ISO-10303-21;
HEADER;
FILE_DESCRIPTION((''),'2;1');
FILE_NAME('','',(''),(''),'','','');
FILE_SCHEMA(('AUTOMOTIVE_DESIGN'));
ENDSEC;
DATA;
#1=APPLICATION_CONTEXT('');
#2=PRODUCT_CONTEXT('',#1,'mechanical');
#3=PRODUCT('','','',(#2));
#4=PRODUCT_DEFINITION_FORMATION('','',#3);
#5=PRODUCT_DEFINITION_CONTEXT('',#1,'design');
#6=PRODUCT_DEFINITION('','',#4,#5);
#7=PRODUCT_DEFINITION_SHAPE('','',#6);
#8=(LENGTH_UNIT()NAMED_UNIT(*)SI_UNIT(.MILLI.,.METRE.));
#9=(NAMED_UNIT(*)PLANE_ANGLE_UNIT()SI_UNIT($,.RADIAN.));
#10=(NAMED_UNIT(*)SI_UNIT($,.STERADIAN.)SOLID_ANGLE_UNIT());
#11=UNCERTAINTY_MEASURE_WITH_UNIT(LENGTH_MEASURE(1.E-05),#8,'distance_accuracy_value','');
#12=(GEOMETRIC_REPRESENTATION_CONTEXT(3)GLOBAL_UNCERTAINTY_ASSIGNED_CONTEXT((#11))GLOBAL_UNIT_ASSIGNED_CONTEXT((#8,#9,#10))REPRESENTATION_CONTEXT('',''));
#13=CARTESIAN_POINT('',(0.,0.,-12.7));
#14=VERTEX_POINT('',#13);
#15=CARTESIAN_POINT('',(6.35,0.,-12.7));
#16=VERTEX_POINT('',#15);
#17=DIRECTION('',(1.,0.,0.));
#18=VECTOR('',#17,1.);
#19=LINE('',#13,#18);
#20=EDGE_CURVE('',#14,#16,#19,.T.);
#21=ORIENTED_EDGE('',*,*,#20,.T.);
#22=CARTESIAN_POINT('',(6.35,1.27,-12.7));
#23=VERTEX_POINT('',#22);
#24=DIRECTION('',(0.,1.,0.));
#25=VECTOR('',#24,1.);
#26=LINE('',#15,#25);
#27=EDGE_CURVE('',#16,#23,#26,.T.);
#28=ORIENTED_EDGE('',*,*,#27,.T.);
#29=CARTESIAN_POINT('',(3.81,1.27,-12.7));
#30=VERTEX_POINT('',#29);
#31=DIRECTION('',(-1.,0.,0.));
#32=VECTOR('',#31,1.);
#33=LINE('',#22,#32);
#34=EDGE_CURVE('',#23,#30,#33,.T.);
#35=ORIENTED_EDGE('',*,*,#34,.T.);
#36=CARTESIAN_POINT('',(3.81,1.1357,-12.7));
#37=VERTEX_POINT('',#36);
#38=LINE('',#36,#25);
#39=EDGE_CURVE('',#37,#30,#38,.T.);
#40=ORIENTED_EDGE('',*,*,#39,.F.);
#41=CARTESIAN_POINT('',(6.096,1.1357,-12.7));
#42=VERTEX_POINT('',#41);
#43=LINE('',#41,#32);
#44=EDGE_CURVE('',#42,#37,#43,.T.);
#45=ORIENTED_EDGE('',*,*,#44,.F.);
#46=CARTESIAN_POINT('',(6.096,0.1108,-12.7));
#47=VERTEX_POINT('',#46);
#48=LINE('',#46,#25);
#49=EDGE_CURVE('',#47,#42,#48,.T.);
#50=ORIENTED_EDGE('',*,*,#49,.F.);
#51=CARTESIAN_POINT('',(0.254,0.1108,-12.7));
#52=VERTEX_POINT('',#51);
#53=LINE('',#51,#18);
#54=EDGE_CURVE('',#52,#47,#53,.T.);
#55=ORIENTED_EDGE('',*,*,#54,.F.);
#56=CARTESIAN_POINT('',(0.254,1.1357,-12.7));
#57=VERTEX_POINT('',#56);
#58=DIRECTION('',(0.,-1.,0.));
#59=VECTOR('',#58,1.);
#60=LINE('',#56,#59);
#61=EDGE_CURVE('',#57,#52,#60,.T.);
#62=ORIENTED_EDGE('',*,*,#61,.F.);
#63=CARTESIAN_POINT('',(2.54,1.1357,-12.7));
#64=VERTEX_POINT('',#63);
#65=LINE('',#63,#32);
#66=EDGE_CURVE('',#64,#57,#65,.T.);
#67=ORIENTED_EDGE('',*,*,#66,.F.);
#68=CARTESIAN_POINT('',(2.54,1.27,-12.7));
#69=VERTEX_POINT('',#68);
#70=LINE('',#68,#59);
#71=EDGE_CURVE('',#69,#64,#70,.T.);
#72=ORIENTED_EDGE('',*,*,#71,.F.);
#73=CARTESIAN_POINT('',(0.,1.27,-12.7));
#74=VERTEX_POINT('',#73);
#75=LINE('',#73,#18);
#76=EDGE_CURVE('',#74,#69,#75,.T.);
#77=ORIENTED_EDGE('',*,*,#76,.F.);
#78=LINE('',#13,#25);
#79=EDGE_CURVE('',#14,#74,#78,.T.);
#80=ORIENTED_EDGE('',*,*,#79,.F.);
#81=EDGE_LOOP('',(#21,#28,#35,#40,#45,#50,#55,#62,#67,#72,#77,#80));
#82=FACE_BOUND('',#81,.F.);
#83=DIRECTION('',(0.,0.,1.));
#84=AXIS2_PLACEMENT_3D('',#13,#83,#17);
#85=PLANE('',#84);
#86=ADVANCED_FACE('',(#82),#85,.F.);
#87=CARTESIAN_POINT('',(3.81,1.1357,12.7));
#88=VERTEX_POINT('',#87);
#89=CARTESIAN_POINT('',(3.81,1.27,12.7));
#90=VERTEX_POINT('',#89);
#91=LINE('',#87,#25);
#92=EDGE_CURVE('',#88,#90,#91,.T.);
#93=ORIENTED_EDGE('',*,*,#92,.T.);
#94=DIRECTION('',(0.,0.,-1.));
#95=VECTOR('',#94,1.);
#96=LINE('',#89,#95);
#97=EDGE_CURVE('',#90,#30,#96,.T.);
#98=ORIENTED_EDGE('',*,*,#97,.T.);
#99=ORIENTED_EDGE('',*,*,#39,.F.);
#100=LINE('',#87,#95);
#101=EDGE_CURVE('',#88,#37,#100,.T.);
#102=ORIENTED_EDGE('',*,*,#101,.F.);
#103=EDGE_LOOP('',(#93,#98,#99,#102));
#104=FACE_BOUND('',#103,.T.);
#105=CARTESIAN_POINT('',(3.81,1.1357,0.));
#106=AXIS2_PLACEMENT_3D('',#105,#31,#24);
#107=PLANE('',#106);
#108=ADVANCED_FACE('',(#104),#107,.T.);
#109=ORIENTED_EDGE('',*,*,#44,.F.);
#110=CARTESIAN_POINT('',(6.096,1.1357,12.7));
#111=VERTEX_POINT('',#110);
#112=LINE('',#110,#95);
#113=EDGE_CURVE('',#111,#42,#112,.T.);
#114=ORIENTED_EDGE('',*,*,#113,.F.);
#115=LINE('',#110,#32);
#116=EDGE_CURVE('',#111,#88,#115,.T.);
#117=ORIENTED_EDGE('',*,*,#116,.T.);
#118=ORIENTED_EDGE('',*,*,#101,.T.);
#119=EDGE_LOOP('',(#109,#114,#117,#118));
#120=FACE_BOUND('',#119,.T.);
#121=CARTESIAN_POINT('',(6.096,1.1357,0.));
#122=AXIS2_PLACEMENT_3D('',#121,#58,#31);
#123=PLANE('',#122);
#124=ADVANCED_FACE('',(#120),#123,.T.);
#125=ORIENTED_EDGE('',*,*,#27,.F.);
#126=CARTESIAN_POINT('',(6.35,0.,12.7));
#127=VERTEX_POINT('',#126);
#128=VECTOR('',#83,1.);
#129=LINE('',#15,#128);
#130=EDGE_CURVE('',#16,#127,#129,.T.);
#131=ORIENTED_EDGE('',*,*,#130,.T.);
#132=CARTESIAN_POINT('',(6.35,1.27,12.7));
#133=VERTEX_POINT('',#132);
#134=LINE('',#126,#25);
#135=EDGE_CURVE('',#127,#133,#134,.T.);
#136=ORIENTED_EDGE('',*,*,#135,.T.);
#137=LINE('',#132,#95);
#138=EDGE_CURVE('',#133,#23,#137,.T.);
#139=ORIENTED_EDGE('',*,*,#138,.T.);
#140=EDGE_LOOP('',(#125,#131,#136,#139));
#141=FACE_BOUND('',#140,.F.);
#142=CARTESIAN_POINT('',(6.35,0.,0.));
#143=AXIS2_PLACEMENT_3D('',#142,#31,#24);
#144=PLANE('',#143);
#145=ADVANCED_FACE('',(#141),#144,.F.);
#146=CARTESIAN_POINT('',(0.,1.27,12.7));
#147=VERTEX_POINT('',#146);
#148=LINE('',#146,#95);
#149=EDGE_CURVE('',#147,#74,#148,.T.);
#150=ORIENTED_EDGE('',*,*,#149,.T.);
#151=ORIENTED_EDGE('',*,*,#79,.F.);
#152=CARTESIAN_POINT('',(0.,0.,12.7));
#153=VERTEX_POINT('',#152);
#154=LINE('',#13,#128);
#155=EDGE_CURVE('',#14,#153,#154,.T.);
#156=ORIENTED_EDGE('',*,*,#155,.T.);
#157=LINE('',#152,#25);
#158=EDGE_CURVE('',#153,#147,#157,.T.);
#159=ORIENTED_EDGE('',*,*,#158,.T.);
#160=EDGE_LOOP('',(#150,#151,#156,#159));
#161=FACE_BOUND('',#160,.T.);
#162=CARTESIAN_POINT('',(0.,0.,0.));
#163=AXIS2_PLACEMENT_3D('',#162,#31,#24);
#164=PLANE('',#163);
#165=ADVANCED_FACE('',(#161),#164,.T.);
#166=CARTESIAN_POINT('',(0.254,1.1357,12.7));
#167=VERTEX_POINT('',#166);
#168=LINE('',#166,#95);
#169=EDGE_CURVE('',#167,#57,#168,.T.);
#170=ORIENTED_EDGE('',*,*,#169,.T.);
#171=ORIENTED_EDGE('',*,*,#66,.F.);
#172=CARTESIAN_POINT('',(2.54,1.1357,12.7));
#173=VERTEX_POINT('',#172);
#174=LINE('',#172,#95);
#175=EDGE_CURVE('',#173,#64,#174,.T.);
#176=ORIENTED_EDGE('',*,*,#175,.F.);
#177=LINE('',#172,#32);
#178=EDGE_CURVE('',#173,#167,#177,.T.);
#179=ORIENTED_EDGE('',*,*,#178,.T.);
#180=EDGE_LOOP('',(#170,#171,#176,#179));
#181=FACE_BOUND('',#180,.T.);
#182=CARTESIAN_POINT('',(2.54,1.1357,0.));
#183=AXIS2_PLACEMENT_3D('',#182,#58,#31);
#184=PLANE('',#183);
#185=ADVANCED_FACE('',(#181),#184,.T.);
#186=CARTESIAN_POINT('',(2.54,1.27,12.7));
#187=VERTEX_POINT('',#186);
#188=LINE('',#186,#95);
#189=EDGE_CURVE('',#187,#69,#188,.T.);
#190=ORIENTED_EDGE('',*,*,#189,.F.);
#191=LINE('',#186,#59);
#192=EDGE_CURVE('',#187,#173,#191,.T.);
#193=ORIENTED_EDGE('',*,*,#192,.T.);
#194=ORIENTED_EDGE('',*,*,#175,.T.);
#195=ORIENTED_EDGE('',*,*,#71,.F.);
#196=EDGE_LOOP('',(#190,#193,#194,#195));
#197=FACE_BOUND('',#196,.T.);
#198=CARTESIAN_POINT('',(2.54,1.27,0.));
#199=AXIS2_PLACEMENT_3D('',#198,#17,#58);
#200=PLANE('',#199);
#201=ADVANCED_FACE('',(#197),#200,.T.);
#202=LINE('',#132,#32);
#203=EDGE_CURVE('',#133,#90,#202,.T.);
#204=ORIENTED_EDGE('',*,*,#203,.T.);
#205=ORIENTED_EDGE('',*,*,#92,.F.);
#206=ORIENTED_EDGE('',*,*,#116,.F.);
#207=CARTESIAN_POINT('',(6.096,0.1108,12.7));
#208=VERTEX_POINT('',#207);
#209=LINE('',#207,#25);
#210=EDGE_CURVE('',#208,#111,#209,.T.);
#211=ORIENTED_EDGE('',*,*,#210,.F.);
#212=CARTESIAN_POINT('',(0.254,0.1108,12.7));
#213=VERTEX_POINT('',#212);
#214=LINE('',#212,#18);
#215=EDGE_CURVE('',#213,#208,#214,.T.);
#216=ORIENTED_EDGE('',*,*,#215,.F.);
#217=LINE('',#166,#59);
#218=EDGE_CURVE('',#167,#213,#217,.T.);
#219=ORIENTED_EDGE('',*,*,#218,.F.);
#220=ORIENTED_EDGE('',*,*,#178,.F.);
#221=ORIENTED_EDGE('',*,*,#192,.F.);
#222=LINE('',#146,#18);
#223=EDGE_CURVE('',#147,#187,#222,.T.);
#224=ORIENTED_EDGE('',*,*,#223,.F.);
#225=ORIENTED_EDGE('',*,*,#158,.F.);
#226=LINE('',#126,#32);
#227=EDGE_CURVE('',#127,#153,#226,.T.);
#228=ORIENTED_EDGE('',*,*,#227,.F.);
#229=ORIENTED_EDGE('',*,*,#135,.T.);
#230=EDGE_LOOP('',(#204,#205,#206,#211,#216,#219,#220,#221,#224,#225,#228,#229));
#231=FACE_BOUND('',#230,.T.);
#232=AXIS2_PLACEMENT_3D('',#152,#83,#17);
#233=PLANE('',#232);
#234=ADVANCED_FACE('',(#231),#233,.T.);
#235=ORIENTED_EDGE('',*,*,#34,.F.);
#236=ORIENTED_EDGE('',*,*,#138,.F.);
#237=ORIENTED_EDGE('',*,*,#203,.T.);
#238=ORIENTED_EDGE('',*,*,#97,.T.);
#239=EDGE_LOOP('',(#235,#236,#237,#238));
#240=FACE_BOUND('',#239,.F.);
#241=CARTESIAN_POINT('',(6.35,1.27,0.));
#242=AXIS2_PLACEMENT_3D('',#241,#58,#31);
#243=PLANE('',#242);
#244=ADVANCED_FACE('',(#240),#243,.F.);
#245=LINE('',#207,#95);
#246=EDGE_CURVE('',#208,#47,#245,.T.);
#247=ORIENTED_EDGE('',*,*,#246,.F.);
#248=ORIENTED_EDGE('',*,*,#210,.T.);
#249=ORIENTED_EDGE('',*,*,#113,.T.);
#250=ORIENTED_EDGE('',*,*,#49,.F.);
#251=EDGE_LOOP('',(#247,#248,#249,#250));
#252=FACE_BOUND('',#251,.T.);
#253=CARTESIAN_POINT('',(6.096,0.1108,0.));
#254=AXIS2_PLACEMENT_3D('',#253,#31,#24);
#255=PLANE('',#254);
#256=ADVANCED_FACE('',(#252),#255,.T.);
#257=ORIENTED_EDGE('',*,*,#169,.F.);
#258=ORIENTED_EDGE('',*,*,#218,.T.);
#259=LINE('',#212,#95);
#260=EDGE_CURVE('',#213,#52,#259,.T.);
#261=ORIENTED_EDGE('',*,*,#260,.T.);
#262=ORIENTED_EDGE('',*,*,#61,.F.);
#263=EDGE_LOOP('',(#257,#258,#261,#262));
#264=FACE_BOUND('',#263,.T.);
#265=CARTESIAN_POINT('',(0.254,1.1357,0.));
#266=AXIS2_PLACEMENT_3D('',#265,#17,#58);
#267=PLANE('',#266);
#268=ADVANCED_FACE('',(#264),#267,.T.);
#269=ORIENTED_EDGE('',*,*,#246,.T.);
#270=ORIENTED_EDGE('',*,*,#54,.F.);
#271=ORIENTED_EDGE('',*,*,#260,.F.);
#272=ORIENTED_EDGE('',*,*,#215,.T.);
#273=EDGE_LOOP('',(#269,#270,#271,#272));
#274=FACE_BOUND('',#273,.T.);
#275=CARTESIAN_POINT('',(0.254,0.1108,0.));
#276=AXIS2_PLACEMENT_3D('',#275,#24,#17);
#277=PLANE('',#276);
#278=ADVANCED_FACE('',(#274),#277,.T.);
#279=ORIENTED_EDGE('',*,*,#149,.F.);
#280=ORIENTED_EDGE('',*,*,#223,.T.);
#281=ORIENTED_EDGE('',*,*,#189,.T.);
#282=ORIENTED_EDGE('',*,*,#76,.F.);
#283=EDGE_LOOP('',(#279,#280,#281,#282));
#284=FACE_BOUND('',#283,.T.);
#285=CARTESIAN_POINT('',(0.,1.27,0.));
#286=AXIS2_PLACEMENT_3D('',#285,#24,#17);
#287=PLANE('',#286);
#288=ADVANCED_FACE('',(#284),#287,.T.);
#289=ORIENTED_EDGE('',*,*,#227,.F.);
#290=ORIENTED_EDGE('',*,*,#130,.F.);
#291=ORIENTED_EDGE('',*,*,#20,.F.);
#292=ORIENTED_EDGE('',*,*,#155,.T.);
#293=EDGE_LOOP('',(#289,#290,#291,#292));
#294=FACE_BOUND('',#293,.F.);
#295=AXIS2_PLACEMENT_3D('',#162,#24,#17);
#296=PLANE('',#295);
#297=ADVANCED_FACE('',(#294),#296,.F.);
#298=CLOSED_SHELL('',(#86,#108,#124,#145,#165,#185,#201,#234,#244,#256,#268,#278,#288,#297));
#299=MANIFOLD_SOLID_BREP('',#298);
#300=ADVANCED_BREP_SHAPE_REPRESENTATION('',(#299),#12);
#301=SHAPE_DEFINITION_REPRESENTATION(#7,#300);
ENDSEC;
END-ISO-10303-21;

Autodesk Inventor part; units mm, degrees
ref_plane "YZ Plane" through (0, 0, 0) normal (1, 0, 0) x (0, 1, 0)
ref_plane "XZ Plane" through (0, 0, 0) normal (0, 1, 0) x (-1, 0, 0)
ref_plane "XY Plane" through (0, 0, 0) normal (0, 0, 1) x (1, 0, 0)
sketch "Sketch1" plane through (0, 0, 0) normal (0, 0, 1) x (1, 0, 0)
  point P0 (0, 0)
sketch "Sketch2" plane through (0, 0, 0) normal (0, 0, 1) x (1, 0, 0)
  line L0 (0, 0) -> (6.35, 0)
  line L1 (6.35, 0) -> (6.35, 1.27)
  line L2 (0, 0) -> (0, 1.27)
  line L3 (0, 1.27) -> (2.54, 1.27)
  line L4 (6.35, 1.27) -> (3.81, 1.27)
  line L5 (2.54, 1.27) -> (2.54, 1.1357)
  line L6 (2.54, 1.1357) -> (0.254, 1.1357)
  line L7 (0.254, 1.1357) -> (0.254, 0.1108)
  line L8 (0.254, 0.1108) -> (6.096, 0.1108)
  line L9 (6.096, 0.1108) -> (6.096, 1.1357)
  line L10 (6.096, 1.1357) -> (3.81, 1.1357)
  line L11 (3.81, 1.1357) -> (3.81, 1.27)
  line L12 (0.254, -3.175) -> (0.254, 0)
  circle A0 centre (15.875, -3.175) radius 3.175
  circle A1 centre (15.875, -3.175) radius 2.921
  line L13 (3.1985, -6.0959) -> (15.8985, -6.0959)
  arc A2 (0.254, -3.175) -> (0.2538, -3.175) centre (0.2539, -5.715) ccw
  line L14 (0.254, -4.0044) -> (0.254, -4.0014)
  line L15 (0.254, -3.175) -> (0.254, -3.175)
  circle A3 centre (3.175, -3.175) radius 2.413
  arc A4 (0.254, -3.175) -> (3.1985, -6.0959) centre (3.175, -3.175) ccw
  line L16 (6.096, 0) -> (6.096, -0.1394)
  line L17 (7.5457, -1.5893) -> (12.7523, -1.5893)
  arc A5 (12.7523, -1.5893) -> (13.4637, -1.1095) centre (12.7523, -0.822) ccw
  arc A6 (6.096, 0) -> (7.6855, -1.5893) centre (7.6156, -0.0697) ccw
  line L18 (7.6855, -1.5893) -> (7.6855, -6.0959)
  line L19 (3.175, -3.175) -> (3.81, -3.175)
  line L20 (12.7, -3.175) -> (15.875, -3.175)
  point P0 (3.1515, -6.0959)
  dimension "d1" = 6.35
  dimension "d2" = 1.27
  dimension "d6" = 2.54
  dimension "d7" = 2.54
  dimension "d11" = 12.7
  dimension "d14" = 12.7
  dimension "d16" = 0.254
  dimension "d17" = 0.254
  dimension "d18" = 6.35
  dimension "d21" = 0.254
  dimension "d22" = 4.826
  dimension "d23" = 0.508
  dimension "d24" = 3.175
  dimension "d25" = 1.5212
extrude "Extrusion1" add sketch "Sketch2" along normal blind 12.7 contours L2 L3 L5 L6 L7 L8 L9 L10 L11 L4 L1 L0
extrude "Extrusion2" add sketch "Sketch2" against normal blind 12.7 contours L2 L3 L5 L6 L7 L8 L9 L10 L11 L4 L1 L0
properties part number "TreadPart1"
